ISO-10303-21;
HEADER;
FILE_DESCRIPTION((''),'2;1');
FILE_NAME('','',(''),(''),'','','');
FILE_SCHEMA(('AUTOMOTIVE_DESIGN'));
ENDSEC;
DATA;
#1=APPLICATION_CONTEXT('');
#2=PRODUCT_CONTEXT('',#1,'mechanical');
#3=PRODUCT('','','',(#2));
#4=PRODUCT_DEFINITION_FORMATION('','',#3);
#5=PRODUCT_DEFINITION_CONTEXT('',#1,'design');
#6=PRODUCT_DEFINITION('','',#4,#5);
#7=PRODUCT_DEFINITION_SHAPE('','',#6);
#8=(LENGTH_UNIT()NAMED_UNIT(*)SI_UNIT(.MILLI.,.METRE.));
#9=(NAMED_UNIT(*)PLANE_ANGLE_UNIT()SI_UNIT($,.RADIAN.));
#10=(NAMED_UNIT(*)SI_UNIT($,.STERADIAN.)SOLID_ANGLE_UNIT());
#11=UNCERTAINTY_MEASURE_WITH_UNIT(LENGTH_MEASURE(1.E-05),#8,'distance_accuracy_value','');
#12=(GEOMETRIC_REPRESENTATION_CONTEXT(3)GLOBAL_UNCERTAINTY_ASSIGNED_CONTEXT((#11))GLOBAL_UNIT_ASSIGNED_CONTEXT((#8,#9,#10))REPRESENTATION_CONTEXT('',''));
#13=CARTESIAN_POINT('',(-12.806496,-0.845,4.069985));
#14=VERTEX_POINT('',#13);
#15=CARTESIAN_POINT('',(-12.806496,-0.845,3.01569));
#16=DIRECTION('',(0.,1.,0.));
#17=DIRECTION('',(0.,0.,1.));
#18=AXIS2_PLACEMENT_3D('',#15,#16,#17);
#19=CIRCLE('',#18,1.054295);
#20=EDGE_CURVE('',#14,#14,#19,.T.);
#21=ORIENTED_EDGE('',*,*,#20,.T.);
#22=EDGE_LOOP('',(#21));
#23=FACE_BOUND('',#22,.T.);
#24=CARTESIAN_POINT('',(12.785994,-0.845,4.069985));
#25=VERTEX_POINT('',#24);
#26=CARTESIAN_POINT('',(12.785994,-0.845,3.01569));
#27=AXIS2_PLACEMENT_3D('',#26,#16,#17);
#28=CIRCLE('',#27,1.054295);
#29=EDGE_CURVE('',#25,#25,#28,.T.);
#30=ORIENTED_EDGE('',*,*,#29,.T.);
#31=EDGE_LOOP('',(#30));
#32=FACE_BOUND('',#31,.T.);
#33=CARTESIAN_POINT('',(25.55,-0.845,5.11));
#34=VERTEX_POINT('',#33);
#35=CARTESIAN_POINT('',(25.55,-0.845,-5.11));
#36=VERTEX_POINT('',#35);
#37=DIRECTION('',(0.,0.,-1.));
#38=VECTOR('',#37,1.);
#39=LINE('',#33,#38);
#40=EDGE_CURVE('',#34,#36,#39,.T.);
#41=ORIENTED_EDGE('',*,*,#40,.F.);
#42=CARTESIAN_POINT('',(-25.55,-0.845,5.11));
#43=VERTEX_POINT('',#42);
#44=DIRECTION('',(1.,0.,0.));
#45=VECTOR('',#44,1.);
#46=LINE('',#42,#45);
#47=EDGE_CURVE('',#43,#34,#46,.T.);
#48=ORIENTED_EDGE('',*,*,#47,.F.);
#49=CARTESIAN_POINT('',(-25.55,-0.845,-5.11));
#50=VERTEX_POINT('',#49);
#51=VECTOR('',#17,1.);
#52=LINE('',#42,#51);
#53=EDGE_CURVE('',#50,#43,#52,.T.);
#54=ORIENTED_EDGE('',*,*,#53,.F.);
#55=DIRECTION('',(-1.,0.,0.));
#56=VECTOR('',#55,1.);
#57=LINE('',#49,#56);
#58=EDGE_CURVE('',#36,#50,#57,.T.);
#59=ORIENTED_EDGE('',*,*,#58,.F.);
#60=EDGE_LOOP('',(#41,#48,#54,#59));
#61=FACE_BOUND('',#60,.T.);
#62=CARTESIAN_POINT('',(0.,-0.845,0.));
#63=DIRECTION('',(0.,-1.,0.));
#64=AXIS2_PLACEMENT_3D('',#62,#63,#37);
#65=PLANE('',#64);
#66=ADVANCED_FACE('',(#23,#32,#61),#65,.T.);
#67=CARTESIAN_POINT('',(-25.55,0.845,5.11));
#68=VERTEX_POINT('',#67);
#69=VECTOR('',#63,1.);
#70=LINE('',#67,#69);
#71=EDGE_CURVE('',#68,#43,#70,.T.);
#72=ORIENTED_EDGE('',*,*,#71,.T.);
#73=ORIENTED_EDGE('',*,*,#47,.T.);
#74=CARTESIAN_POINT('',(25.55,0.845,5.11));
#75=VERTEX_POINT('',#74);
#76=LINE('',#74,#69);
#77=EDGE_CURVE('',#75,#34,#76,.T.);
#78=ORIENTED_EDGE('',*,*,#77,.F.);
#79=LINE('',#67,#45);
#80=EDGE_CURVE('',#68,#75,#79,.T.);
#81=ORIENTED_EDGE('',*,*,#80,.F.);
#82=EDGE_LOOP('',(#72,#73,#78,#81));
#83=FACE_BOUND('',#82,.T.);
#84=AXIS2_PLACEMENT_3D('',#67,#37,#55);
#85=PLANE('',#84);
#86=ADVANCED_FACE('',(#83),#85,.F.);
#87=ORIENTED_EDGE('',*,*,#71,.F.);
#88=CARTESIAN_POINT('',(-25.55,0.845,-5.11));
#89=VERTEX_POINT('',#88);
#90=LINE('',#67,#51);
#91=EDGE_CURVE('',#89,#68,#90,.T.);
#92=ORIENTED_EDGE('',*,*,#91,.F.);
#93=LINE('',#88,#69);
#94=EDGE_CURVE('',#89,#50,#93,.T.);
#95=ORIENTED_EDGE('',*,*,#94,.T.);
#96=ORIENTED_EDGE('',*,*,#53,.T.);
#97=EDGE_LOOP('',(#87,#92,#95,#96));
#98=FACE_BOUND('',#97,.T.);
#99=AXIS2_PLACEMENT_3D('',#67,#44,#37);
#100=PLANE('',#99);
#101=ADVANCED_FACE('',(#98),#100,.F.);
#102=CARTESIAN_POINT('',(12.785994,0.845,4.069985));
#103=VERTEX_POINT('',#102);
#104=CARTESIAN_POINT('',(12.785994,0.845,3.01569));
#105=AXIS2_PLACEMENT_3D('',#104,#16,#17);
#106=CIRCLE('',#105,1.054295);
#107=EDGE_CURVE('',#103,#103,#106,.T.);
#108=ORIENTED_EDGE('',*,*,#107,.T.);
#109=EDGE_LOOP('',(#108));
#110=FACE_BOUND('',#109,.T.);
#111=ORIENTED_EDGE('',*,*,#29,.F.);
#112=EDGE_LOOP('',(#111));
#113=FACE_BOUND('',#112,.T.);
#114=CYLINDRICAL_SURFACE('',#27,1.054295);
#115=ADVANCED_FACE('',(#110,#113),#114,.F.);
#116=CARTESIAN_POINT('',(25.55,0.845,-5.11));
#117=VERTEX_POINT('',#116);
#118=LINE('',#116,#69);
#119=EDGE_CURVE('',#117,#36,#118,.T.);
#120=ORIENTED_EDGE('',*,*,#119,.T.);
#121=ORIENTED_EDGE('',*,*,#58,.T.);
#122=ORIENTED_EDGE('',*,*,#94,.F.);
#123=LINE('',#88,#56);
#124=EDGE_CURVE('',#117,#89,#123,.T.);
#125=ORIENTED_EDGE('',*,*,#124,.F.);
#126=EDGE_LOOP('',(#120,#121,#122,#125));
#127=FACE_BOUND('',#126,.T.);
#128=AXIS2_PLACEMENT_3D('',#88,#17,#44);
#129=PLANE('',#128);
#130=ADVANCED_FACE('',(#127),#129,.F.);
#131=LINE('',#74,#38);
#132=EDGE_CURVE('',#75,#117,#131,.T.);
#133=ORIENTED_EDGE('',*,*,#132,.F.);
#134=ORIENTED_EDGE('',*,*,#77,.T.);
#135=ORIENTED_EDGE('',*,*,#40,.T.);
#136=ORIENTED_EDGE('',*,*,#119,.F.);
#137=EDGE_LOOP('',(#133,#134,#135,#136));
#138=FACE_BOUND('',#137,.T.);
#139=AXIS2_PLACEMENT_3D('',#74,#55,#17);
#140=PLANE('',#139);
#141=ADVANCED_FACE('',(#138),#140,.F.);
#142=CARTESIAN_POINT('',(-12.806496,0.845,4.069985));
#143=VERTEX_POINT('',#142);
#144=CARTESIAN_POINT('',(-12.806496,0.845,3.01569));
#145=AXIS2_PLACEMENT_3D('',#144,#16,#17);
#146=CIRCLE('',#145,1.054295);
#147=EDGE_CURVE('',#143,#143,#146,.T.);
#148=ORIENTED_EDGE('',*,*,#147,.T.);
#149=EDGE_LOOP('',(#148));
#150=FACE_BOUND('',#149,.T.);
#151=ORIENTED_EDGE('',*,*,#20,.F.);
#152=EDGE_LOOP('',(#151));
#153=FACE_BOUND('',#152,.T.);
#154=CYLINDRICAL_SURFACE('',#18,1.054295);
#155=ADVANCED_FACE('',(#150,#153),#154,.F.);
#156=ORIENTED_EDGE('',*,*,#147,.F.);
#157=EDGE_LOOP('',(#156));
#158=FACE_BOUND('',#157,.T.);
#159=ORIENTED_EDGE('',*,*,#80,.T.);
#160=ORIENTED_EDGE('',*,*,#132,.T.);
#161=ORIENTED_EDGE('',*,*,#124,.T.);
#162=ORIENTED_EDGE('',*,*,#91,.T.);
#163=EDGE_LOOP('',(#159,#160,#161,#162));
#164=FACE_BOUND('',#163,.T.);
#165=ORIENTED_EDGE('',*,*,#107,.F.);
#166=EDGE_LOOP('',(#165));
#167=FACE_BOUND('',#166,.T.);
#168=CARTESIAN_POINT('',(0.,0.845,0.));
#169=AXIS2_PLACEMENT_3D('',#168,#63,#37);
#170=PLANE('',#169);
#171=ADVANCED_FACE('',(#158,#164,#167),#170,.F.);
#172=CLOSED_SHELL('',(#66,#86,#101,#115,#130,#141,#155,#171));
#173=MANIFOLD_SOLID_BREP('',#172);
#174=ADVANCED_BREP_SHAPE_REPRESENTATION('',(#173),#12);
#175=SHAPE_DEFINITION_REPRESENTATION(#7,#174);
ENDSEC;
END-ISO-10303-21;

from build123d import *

# Parameters (mm, degrees)
SKETCH1_W           = 51.1
SKETCH1_H           = 10.22
BOSS_EXTRUDE1_DEPTH = 0.845
SKETCH2_R           = 1.054294776
CUT_EXTRUDE1_DEPTH  = 2.69


with BuildPart() as part:
    # Sketch1 → Boss-Extrude1 (new body, symmetric)
    with BuildSketch(Plane(origin=(0, 0, 0), x_dir=(1, 0, 0), z_dir=(0, 1, 0))):
        Rectangle(SKETCH1_W, SKETCH1_H)
    extrude(amount=BOSS_EXTRUDE1_DEPTH, both=True)

    # Sketch2 → Cut-Extrude1 (cut, through all)
    with BuildSketch(Plane(origin=(0, 0.845, 0), x_dir=(1, 0, 0), z_dir=(0, 1, 0))):
        with Locations((-12.806496192, -3.015690418)):
            Circle(SKETCH2_R)
        with Locations((12.785993514, -3.015690418)):
            Circle(SKETCH2_R)
    extrude(amount=-CUT_EXTRUDE1_DEPTH, mode=Mode.SUBTRACT)


solid = part.part
